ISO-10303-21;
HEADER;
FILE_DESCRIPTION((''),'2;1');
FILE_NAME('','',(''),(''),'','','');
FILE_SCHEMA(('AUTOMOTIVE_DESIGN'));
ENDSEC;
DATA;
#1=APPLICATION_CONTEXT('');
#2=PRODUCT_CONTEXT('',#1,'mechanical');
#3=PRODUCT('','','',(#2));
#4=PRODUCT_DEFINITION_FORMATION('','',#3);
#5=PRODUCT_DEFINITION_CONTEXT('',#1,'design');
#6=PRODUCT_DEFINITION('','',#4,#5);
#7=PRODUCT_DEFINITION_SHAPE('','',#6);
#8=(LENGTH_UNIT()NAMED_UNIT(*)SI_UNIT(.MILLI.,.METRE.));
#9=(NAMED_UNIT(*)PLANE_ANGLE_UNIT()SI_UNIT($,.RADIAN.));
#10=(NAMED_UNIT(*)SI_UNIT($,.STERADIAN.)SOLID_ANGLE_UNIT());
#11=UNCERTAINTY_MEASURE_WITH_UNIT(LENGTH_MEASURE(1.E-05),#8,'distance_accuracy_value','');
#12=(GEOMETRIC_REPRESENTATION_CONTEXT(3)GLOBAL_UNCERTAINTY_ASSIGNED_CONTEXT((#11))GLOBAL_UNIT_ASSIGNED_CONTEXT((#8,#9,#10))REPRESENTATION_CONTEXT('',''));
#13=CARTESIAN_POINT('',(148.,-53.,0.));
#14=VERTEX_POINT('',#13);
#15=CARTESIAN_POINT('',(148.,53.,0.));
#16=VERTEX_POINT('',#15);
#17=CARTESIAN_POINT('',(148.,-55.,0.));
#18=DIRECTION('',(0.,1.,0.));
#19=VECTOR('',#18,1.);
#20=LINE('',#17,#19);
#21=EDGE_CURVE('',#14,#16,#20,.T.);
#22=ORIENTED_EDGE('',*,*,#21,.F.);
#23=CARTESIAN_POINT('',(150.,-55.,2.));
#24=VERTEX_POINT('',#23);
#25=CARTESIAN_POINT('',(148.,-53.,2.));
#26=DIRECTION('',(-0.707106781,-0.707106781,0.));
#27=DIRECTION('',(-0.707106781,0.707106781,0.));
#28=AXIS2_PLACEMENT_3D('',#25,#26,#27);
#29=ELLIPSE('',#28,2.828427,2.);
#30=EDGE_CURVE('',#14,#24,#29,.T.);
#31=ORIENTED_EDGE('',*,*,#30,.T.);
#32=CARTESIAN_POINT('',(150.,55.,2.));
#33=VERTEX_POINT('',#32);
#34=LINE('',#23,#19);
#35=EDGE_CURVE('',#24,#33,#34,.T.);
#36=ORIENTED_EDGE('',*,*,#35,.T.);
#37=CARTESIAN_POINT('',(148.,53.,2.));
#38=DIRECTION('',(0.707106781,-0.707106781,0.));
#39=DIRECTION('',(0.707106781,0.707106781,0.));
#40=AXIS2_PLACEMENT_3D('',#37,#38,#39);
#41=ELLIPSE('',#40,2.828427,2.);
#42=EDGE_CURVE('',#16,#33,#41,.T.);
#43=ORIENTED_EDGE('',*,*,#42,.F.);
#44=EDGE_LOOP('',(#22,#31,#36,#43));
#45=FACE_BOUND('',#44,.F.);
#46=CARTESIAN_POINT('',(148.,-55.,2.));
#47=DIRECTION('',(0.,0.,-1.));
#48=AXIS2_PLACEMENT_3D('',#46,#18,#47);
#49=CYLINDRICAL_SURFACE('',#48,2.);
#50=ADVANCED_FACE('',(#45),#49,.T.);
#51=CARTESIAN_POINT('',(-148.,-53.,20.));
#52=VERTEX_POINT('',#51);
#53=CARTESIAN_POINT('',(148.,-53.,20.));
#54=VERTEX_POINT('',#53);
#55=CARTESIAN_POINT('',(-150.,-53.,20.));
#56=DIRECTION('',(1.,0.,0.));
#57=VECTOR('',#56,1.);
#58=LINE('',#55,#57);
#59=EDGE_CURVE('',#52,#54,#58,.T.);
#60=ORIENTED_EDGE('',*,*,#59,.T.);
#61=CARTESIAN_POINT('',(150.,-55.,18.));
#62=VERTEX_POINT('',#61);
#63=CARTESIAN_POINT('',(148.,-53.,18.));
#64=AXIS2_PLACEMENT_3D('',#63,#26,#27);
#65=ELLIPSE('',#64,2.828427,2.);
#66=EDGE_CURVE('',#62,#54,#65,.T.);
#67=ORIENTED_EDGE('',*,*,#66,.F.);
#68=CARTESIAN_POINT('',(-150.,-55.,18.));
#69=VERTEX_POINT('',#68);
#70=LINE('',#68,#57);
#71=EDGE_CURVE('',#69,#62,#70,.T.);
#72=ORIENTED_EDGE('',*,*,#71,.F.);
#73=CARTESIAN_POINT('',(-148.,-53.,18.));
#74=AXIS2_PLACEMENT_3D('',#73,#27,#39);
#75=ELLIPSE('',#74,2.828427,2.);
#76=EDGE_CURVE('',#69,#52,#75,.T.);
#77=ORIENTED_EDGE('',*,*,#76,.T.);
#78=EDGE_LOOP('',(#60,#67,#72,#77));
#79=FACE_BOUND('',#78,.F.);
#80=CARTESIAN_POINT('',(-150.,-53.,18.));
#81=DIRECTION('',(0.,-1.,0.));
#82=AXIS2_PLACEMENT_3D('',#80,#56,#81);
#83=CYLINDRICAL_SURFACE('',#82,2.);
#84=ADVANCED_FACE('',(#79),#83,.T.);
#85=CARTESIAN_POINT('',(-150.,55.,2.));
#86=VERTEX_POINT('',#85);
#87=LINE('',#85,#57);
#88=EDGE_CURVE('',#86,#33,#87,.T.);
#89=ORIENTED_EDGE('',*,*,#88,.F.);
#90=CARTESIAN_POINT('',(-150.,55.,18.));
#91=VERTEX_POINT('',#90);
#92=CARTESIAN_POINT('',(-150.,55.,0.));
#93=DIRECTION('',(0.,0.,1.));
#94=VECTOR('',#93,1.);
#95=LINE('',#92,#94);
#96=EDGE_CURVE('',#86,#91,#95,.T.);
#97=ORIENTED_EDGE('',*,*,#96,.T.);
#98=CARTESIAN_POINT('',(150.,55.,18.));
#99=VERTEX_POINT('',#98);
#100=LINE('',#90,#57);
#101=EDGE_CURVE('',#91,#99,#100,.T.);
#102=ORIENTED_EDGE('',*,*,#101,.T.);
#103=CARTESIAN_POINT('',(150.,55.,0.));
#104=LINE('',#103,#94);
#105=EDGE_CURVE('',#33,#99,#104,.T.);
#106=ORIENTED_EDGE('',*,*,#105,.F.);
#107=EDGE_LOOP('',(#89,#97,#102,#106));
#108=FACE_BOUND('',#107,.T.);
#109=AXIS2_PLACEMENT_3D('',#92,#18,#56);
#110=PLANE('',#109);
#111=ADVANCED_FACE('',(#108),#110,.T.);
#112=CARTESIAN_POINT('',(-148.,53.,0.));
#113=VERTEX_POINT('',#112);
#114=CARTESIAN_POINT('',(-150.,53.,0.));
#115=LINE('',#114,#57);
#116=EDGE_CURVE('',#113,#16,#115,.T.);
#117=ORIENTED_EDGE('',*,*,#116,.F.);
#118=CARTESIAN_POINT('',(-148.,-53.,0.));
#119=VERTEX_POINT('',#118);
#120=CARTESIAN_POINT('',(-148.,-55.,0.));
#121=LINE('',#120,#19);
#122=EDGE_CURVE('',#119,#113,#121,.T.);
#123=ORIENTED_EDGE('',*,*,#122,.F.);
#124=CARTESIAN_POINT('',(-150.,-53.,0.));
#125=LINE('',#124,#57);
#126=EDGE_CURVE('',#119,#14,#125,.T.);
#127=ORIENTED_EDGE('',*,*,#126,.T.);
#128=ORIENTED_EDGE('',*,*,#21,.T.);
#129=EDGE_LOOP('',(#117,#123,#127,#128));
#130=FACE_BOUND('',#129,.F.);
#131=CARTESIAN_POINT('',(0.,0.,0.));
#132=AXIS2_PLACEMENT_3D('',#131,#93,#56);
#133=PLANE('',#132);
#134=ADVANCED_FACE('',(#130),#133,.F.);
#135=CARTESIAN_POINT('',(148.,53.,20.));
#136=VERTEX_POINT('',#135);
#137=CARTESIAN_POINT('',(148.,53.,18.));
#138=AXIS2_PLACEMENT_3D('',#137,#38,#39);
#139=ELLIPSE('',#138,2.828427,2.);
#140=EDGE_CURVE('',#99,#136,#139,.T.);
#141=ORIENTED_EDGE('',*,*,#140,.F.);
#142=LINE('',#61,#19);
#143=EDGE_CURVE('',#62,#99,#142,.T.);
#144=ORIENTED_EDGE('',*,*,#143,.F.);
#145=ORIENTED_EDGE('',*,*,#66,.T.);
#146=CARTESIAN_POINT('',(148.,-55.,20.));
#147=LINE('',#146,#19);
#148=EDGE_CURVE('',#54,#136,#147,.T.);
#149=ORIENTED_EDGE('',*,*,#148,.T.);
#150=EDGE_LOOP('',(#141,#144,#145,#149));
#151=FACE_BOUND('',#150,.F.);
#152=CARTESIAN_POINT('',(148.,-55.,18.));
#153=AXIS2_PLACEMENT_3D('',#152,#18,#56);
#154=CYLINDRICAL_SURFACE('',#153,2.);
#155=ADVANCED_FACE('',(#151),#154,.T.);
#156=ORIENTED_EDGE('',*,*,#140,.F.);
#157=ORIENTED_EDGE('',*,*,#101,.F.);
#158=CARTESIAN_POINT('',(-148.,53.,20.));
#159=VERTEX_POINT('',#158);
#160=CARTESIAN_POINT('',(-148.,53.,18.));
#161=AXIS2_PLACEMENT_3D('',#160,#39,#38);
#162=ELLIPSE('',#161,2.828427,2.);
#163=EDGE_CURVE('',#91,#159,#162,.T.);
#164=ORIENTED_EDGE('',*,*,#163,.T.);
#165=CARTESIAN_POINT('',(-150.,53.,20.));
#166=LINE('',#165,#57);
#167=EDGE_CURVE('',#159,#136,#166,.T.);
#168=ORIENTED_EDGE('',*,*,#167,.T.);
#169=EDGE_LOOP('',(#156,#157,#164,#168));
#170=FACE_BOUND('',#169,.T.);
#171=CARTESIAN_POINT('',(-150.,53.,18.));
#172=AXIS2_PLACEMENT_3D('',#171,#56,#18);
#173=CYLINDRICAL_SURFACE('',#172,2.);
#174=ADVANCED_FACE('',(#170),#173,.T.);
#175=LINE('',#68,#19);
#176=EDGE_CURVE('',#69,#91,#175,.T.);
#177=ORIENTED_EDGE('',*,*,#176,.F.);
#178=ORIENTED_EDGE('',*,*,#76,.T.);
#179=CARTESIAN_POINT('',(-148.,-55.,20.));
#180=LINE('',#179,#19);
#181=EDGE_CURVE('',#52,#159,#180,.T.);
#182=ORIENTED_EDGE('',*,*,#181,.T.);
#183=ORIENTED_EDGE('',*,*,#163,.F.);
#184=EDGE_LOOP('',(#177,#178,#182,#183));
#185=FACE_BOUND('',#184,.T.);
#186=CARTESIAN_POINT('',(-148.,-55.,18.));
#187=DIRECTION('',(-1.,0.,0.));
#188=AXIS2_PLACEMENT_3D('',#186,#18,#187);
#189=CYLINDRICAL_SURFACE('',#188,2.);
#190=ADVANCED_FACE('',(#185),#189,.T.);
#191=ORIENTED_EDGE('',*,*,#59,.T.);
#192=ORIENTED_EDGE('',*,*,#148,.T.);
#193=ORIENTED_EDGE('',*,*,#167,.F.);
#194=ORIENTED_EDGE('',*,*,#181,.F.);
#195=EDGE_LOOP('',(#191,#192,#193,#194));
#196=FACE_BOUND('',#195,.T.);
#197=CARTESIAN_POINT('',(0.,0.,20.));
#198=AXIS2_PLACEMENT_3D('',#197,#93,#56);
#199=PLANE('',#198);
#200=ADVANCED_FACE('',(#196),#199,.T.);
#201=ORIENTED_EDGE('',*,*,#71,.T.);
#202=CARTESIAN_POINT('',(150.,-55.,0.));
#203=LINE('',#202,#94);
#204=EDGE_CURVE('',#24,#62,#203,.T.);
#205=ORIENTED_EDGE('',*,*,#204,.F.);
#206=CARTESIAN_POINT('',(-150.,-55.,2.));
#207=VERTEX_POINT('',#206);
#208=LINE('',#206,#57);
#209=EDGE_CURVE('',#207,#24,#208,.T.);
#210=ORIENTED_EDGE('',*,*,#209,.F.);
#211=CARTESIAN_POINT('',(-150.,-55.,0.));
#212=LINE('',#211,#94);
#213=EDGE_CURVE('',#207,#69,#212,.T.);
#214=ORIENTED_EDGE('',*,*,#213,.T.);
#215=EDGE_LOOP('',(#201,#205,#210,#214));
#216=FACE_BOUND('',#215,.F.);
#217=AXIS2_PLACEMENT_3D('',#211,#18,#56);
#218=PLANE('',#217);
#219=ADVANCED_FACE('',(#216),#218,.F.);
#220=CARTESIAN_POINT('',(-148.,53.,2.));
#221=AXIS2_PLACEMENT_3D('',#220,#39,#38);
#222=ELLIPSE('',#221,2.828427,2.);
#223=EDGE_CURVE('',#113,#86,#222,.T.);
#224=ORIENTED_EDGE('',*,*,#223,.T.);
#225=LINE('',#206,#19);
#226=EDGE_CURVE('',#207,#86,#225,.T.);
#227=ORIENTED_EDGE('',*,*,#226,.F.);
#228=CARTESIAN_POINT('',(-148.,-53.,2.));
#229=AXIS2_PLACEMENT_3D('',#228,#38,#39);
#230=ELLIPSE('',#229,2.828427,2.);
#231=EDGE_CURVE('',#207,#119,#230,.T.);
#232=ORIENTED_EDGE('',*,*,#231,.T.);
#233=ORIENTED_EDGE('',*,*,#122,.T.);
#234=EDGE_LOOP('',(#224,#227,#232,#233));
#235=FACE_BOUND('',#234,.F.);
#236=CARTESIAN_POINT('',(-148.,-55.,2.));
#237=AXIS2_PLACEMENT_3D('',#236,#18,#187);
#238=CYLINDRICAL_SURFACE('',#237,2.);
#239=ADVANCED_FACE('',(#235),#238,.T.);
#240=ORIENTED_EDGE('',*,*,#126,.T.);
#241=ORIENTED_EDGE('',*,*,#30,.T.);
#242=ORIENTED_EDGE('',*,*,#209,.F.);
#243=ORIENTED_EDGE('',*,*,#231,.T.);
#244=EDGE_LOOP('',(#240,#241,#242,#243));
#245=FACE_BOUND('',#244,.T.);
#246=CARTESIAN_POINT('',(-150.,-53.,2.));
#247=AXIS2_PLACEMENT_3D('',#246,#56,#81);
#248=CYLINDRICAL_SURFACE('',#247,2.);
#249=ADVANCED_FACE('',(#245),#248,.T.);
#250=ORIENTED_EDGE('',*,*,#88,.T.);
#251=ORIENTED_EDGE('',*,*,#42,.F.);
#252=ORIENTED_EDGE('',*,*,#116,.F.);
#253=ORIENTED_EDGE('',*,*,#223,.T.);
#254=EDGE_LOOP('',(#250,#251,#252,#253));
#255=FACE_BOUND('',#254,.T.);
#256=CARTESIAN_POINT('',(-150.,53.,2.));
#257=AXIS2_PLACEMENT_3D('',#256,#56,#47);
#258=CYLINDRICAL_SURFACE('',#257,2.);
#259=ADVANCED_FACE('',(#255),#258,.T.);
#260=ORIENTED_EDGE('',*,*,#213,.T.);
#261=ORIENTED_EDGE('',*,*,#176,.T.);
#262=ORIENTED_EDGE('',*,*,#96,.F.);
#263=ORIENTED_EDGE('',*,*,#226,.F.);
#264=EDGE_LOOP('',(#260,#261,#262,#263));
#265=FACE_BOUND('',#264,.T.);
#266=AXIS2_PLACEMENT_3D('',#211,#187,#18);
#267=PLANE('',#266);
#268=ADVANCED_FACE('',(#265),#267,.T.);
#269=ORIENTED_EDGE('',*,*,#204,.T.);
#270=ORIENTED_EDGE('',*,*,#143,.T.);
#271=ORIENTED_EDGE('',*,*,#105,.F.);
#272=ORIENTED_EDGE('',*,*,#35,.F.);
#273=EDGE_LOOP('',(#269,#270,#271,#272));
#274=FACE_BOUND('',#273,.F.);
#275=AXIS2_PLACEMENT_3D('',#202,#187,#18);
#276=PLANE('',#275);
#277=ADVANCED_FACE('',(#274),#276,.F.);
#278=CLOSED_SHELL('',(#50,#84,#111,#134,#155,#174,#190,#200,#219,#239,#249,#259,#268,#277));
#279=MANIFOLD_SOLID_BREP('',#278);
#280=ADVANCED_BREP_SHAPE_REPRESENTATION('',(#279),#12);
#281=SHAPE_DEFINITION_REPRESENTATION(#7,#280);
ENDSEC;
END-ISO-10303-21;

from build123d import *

# Parameters (mm, degrees)
SKETCH001_W = 300
SKETCH001_H = 110
PAD_DEPTH   = 20
FILLET_R    = 2
FILLET001_R = 2


with BuildPart() as part:
    # Sketch001 → Pad (new body)
    with BuildSketch(Plane.XY):
        Rectangle(SKETCH001_W, SKETCH001_H)
    extrude(amount=PAD_DEPTH)

    # Fillet
    fillet_edges = [part.edges().sort_by_distance(p)[0] for p in [
        (0, 55, 20),
        (150, 0, 20),
        (0, -55, 20),
        (-150, 0, 20),
    ]]
    fillet(fillet_edges, radius=FILLET_R)

    # Fillet001
    fillet001_edges = [part.edges().sort_by_distance(p)[0] for p in [
        (0, 55, 0),
        (150, 0, 0),
        (0, -55, 0),
        (-150, 0, 0),
    ]]
    fillet(fillet001_edges, radius=FILLET001_R)


solid = part.part
